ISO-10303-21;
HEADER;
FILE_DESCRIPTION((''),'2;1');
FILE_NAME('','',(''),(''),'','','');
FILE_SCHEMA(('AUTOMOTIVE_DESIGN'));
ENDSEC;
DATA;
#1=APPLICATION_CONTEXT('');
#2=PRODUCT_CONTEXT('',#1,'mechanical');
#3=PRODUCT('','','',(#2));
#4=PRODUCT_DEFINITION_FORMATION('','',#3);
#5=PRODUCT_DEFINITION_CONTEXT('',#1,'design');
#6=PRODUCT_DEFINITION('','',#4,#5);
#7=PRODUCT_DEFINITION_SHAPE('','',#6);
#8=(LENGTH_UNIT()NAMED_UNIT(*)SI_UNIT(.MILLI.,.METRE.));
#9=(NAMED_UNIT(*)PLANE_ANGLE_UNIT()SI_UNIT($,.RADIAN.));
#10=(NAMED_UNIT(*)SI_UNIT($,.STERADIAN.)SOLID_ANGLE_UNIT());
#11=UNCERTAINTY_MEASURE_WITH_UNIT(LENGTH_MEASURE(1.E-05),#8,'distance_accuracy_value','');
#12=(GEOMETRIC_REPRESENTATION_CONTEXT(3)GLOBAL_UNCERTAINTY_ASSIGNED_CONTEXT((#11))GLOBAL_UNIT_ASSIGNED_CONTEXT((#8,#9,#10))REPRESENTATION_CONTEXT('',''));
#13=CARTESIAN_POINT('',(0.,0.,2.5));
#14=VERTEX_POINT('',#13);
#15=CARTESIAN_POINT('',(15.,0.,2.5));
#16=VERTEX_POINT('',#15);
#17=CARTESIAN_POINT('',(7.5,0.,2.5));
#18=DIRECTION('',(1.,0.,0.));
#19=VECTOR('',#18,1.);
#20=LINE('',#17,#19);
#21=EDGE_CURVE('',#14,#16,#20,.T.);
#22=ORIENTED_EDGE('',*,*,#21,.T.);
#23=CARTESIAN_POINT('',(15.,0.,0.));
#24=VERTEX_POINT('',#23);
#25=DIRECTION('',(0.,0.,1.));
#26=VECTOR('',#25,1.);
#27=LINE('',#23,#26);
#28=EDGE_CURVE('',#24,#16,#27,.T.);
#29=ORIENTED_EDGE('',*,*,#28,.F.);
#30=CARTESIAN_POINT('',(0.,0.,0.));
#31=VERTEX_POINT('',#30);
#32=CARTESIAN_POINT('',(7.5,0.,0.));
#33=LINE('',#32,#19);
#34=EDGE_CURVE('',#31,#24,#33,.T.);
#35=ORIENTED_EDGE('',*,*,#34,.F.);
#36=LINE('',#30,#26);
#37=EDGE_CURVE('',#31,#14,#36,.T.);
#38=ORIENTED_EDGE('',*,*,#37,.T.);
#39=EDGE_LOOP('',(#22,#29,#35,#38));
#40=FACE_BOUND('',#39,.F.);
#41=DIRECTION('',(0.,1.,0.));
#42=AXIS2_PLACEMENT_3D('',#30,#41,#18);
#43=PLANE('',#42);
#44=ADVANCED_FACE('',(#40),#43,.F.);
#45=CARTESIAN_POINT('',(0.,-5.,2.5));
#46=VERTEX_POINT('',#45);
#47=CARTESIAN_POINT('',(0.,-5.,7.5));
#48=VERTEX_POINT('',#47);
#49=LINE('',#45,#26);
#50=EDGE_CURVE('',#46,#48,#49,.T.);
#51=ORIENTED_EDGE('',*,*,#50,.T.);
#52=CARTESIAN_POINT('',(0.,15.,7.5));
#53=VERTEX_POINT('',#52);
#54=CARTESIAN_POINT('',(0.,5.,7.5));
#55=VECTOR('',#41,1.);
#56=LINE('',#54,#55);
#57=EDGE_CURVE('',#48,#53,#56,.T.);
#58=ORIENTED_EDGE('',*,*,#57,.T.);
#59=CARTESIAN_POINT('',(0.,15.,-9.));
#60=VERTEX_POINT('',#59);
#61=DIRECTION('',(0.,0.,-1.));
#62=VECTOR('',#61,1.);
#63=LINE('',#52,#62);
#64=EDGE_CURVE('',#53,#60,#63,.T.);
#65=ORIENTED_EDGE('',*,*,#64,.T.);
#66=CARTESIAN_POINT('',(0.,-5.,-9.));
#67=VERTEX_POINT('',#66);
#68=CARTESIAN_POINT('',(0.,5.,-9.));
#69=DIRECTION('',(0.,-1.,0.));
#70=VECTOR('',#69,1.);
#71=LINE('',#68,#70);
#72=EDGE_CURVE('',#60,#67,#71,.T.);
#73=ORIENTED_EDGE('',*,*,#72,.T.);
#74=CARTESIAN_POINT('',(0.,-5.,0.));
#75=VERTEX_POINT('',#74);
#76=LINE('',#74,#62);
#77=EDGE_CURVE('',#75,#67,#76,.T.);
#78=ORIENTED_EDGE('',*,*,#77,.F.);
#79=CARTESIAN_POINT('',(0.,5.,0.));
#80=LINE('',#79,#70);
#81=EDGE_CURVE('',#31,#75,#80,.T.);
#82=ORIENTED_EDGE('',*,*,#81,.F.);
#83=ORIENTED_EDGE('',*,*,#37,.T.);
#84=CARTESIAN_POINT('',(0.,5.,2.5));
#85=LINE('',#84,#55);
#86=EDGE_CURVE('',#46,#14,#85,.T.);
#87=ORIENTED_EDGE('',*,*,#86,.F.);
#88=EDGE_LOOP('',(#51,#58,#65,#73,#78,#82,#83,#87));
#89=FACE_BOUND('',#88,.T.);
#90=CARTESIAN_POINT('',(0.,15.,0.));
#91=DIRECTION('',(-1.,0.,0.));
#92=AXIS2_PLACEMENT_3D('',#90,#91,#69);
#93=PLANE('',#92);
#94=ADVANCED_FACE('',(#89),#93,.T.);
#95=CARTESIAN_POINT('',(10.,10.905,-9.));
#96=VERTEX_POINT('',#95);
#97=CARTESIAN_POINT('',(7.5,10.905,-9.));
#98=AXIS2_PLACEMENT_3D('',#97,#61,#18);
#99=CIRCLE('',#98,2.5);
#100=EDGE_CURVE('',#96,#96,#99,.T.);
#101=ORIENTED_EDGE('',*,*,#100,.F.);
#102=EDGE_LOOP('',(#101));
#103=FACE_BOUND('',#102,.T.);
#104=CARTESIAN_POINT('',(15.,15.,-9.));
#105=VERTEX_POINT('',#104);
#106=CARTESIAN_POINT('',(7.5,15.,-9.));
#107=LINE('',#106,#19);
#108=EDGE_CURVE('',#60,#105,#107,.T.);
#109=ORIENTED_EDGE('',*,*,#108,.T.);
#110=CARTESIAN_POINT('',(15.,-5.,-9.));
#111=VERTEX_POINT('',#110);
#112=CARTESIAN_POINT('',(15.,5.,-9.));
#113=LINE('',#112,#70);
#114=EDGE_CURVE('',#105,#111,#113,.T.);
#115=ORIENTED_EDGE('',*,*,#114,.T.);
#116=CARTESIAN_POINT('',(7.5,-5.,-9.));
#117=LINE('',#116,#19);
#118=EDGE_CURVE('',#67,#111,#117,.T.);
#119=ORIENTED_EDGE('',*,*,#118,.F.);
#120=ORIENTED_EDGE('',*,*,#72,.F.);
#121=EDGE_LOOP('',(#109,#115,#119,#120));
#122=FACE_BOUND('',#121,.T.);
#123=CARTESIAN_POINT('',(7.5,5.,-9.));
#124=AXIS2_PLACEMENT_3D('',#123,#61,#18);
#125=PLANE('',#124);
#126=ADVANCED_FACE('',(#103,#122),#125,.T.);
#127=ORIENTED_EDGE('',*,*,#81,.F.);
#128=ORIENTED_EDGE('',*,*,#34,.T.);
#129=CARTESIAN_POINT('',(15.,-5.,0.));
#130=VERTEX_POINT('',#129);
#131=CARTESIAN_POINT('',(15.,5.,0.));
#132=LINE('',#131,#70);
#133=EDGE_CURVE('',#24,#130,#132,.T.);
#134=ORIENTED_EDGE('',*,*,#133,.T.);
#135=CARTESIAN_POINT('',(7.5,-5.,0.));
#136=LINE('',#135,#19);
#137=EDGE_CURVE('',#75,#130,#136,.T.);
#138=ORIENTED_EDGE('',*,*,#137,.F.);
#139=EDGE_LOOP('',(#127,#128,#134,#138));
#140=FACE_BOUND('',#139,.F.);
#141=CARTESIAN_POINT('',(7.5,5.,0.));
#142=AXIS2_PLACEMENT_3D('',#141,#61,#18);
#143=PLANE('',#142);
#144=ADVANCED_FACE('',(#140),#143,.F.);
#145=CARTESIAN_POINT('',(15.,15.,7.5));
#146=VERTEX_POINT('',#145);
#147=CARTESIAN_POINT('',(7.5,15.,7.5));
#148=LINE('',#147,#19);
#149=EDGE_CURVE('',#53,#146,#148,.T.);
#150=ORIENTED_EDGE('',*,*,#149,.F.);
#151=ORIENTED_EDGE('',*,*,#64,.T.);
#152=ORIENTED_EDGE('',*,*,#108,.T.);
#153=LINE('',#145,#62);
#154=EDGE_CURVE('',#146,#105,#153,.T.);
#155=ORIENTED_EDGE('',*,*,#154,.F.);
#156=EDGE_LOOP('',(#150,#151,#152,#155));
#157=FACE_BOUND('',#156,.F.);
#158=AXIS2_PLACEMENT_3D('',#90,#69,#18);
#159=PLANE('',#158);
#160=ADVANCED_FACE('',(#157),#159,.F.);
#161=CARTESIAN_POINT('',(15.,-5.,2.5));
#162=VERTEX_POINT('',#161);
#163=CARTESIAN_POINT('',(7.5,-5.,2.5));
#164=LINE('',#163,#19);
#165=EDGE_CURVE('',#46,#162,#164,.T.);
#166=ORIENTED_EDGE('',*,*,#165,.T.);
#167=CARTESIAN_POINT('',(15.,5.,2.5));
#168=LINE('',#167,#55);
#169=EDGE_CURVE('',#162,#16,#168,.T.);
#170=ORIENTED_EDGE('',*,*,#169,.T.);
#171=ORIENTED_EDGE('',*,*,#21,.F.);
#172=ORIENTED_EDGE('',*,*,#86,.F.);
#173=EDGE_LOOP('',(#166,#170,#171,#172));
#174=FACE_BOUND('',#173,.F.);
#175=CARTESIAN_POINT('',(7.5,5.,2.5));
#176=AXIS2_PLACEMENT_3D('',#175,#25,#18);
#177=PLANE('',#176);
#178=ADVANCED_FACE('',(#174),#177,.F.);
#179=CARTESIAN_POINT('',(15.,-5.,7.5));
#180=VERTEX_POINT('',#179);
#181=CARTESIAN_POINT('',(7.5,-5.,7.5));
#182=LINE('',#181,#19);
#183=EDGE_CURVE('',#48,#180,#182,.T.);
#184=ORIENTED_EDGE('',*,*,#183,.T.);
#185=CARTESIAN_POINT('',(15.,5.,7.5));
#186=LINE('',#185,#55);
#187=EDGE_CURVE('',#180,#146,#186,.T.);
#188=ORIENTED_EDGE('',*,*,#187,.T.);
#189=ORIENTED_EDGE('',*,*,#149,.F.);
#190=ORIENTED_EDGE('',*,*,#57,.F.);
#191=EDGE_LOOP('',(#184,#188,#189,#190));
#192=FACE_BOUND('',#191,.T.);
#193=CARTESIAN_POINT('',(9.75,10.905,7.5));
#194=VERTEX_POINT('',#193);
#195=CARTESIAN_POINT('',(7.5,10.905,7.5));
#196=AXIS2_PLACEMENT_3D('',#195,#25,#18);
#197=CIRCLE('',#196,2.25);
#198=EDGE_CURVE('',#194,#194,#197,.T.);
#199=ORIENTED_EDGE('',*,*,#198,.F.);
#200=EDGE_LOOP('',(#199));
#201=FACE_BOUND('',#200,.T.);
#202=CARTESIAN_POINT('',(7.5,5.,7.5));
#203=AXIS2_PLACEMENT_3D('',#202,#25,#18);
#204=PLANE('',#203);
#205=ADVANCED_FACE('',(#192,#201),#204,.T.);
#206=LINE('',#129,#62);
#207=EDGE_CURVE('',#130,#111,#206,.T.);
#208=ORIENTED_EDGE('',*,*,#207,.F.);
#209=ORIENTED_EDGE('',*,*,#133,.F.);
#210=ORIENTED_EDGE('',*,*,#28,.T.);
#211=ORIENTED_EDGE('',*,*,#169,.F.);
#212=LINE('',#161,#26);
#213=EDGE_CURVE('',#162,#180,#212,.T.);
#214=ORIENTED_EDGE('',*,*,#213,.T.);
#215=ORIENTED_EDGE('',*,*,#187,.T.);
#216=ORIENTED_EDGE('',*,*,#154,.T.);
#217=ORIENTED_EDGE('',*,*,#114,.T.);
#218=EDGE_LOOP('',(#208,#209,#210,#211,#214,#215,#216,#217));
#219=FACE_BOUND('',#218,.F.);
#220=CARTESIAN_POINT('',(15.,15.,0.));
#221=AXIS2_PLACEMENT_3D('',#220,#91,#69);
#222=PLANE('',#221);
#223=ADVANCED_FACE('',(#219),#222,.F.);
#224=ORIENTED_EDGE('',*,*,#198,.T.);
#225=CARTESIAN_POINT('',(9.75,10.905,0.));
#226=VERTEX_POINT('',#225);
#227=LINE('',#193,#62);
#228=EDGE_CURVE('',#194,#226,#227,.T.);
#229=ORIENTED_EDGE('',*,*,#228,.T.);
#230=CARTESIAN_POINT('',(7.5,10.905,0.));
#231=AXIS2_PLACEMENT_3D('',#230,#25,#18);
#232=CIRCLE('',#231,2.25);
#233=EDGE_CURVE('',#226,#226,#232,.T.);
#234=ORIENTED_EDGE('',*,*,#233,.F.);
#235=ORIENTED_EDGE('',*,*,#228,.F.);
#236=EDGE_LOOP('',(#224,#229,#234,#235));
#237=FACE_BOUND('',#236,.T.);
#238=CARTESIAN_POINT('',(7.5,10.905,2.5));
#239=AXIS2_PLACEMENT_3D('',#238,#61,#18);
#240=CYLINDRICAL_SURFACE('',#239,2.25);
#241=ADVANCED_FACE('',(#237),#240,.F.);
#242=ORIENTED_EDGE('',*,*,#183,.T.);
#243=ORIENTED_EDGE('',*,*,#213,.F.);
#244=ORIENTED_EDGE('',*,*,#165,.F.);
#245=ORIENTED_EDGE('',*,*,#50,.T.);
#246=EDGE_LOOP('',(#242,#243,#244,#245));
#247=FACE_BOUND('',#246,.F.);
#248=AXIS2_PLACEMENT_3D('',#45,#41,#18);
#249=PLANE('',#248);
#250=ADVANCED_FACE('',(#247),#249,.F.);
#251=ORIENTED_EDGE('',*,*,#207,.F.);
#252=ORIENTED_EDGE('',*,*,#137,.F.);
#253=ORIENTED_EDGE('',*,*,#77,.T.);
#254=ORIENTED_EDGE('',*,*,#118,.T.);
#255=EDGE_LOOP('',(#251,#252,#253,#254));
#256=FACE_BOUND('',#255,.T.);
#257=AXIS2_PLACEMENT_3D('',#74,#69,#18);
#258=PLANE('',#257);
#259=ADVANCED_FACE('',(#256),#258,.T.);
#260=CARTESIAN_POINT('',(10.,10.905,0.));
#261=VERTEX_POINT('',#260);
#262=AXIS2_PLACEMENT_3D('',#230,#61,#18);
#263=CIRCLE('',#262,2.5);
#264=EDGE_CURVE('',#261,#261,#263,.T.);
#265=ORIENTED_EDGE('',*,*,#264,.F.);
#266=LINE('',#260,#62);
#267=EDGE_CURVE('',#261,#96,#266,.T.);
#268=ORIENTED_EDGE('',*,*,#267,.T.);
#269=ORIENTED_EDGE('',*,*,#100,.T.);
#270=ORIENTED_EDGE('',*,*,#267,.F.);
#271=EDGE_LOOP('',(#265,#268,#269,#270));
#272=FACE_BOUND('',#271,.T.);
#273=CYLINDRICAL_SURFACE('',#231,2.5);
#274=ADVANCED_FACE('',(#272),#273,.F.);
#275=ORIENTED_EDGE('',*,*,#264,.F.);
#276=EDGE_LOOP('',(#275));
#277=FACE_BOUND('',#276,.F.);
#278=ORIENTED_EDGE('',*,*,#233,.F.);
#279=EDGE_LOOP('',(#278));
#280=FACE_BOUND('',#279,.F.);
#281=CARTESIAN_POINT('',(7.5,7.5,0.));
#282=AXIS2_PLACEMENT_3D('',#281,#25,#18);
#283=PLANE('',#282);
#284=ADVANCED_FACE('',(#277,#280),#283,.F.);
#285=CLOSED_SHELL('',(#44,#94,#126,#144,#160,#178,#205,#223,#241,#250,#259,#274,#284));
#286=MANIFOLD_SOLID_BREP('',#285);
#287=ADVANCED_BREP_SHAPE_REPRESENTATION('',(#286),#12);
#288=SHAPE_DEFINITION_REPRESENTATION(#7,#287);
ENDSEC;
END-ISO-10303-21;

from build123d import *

# Parameters (mm, degrees)
F0_W     = 15
F0_H     = 15
F0_R     = 2.25
F1_DEPTH = 2.5
F2_W     = 15
F2_H     = 20
F2_R     = 2.25
F3_DEPTH = 5
F4_W     = 15
F4_H     = 20
F4_R     = 2.5
F5_DEPTH = 9


with BuildPart() as f1:
    # F0 (on Top) → F1 (new body)
    with BuildSketch(Plane.XY):
        with Locations((7.5, 7.5)):
            Rectangle(F0_W, F0_H)
        with Locations((7.5, 10.905)):
            Circle(F0_R, mode=Mode.SUBTRACT)
    extrude(amount=F1_DEPTH)

    # F2 (on face) → F3 (join)
    with BuildSketch(Plane.XY.offset(2.5)):
        with Locations((7.5, 5)):
            Rectangle(F2_W, F2_H)
        with Locations((7.5, 10.905)):
            Circle(F2_R, mode=Mode.SUBTRACT)
    extrude(amount=F3_DEPTH)

    # F4 (on face) → F5 (join)
    with BuildSketch(Plane(origin=(0, 0, 0), x_dir=(1, 0, 0), z_dir=(0, 0, -1))):
        with Locations((7.5, -5)):
            Rectangle(F4_W, F4_H)
        with Locations((7.5, -10.905)):
            Circle(F4_R, mode=Mode.SUBTRACT)
    extrude(amount=F5_DEPTH)


solid = f1.part
